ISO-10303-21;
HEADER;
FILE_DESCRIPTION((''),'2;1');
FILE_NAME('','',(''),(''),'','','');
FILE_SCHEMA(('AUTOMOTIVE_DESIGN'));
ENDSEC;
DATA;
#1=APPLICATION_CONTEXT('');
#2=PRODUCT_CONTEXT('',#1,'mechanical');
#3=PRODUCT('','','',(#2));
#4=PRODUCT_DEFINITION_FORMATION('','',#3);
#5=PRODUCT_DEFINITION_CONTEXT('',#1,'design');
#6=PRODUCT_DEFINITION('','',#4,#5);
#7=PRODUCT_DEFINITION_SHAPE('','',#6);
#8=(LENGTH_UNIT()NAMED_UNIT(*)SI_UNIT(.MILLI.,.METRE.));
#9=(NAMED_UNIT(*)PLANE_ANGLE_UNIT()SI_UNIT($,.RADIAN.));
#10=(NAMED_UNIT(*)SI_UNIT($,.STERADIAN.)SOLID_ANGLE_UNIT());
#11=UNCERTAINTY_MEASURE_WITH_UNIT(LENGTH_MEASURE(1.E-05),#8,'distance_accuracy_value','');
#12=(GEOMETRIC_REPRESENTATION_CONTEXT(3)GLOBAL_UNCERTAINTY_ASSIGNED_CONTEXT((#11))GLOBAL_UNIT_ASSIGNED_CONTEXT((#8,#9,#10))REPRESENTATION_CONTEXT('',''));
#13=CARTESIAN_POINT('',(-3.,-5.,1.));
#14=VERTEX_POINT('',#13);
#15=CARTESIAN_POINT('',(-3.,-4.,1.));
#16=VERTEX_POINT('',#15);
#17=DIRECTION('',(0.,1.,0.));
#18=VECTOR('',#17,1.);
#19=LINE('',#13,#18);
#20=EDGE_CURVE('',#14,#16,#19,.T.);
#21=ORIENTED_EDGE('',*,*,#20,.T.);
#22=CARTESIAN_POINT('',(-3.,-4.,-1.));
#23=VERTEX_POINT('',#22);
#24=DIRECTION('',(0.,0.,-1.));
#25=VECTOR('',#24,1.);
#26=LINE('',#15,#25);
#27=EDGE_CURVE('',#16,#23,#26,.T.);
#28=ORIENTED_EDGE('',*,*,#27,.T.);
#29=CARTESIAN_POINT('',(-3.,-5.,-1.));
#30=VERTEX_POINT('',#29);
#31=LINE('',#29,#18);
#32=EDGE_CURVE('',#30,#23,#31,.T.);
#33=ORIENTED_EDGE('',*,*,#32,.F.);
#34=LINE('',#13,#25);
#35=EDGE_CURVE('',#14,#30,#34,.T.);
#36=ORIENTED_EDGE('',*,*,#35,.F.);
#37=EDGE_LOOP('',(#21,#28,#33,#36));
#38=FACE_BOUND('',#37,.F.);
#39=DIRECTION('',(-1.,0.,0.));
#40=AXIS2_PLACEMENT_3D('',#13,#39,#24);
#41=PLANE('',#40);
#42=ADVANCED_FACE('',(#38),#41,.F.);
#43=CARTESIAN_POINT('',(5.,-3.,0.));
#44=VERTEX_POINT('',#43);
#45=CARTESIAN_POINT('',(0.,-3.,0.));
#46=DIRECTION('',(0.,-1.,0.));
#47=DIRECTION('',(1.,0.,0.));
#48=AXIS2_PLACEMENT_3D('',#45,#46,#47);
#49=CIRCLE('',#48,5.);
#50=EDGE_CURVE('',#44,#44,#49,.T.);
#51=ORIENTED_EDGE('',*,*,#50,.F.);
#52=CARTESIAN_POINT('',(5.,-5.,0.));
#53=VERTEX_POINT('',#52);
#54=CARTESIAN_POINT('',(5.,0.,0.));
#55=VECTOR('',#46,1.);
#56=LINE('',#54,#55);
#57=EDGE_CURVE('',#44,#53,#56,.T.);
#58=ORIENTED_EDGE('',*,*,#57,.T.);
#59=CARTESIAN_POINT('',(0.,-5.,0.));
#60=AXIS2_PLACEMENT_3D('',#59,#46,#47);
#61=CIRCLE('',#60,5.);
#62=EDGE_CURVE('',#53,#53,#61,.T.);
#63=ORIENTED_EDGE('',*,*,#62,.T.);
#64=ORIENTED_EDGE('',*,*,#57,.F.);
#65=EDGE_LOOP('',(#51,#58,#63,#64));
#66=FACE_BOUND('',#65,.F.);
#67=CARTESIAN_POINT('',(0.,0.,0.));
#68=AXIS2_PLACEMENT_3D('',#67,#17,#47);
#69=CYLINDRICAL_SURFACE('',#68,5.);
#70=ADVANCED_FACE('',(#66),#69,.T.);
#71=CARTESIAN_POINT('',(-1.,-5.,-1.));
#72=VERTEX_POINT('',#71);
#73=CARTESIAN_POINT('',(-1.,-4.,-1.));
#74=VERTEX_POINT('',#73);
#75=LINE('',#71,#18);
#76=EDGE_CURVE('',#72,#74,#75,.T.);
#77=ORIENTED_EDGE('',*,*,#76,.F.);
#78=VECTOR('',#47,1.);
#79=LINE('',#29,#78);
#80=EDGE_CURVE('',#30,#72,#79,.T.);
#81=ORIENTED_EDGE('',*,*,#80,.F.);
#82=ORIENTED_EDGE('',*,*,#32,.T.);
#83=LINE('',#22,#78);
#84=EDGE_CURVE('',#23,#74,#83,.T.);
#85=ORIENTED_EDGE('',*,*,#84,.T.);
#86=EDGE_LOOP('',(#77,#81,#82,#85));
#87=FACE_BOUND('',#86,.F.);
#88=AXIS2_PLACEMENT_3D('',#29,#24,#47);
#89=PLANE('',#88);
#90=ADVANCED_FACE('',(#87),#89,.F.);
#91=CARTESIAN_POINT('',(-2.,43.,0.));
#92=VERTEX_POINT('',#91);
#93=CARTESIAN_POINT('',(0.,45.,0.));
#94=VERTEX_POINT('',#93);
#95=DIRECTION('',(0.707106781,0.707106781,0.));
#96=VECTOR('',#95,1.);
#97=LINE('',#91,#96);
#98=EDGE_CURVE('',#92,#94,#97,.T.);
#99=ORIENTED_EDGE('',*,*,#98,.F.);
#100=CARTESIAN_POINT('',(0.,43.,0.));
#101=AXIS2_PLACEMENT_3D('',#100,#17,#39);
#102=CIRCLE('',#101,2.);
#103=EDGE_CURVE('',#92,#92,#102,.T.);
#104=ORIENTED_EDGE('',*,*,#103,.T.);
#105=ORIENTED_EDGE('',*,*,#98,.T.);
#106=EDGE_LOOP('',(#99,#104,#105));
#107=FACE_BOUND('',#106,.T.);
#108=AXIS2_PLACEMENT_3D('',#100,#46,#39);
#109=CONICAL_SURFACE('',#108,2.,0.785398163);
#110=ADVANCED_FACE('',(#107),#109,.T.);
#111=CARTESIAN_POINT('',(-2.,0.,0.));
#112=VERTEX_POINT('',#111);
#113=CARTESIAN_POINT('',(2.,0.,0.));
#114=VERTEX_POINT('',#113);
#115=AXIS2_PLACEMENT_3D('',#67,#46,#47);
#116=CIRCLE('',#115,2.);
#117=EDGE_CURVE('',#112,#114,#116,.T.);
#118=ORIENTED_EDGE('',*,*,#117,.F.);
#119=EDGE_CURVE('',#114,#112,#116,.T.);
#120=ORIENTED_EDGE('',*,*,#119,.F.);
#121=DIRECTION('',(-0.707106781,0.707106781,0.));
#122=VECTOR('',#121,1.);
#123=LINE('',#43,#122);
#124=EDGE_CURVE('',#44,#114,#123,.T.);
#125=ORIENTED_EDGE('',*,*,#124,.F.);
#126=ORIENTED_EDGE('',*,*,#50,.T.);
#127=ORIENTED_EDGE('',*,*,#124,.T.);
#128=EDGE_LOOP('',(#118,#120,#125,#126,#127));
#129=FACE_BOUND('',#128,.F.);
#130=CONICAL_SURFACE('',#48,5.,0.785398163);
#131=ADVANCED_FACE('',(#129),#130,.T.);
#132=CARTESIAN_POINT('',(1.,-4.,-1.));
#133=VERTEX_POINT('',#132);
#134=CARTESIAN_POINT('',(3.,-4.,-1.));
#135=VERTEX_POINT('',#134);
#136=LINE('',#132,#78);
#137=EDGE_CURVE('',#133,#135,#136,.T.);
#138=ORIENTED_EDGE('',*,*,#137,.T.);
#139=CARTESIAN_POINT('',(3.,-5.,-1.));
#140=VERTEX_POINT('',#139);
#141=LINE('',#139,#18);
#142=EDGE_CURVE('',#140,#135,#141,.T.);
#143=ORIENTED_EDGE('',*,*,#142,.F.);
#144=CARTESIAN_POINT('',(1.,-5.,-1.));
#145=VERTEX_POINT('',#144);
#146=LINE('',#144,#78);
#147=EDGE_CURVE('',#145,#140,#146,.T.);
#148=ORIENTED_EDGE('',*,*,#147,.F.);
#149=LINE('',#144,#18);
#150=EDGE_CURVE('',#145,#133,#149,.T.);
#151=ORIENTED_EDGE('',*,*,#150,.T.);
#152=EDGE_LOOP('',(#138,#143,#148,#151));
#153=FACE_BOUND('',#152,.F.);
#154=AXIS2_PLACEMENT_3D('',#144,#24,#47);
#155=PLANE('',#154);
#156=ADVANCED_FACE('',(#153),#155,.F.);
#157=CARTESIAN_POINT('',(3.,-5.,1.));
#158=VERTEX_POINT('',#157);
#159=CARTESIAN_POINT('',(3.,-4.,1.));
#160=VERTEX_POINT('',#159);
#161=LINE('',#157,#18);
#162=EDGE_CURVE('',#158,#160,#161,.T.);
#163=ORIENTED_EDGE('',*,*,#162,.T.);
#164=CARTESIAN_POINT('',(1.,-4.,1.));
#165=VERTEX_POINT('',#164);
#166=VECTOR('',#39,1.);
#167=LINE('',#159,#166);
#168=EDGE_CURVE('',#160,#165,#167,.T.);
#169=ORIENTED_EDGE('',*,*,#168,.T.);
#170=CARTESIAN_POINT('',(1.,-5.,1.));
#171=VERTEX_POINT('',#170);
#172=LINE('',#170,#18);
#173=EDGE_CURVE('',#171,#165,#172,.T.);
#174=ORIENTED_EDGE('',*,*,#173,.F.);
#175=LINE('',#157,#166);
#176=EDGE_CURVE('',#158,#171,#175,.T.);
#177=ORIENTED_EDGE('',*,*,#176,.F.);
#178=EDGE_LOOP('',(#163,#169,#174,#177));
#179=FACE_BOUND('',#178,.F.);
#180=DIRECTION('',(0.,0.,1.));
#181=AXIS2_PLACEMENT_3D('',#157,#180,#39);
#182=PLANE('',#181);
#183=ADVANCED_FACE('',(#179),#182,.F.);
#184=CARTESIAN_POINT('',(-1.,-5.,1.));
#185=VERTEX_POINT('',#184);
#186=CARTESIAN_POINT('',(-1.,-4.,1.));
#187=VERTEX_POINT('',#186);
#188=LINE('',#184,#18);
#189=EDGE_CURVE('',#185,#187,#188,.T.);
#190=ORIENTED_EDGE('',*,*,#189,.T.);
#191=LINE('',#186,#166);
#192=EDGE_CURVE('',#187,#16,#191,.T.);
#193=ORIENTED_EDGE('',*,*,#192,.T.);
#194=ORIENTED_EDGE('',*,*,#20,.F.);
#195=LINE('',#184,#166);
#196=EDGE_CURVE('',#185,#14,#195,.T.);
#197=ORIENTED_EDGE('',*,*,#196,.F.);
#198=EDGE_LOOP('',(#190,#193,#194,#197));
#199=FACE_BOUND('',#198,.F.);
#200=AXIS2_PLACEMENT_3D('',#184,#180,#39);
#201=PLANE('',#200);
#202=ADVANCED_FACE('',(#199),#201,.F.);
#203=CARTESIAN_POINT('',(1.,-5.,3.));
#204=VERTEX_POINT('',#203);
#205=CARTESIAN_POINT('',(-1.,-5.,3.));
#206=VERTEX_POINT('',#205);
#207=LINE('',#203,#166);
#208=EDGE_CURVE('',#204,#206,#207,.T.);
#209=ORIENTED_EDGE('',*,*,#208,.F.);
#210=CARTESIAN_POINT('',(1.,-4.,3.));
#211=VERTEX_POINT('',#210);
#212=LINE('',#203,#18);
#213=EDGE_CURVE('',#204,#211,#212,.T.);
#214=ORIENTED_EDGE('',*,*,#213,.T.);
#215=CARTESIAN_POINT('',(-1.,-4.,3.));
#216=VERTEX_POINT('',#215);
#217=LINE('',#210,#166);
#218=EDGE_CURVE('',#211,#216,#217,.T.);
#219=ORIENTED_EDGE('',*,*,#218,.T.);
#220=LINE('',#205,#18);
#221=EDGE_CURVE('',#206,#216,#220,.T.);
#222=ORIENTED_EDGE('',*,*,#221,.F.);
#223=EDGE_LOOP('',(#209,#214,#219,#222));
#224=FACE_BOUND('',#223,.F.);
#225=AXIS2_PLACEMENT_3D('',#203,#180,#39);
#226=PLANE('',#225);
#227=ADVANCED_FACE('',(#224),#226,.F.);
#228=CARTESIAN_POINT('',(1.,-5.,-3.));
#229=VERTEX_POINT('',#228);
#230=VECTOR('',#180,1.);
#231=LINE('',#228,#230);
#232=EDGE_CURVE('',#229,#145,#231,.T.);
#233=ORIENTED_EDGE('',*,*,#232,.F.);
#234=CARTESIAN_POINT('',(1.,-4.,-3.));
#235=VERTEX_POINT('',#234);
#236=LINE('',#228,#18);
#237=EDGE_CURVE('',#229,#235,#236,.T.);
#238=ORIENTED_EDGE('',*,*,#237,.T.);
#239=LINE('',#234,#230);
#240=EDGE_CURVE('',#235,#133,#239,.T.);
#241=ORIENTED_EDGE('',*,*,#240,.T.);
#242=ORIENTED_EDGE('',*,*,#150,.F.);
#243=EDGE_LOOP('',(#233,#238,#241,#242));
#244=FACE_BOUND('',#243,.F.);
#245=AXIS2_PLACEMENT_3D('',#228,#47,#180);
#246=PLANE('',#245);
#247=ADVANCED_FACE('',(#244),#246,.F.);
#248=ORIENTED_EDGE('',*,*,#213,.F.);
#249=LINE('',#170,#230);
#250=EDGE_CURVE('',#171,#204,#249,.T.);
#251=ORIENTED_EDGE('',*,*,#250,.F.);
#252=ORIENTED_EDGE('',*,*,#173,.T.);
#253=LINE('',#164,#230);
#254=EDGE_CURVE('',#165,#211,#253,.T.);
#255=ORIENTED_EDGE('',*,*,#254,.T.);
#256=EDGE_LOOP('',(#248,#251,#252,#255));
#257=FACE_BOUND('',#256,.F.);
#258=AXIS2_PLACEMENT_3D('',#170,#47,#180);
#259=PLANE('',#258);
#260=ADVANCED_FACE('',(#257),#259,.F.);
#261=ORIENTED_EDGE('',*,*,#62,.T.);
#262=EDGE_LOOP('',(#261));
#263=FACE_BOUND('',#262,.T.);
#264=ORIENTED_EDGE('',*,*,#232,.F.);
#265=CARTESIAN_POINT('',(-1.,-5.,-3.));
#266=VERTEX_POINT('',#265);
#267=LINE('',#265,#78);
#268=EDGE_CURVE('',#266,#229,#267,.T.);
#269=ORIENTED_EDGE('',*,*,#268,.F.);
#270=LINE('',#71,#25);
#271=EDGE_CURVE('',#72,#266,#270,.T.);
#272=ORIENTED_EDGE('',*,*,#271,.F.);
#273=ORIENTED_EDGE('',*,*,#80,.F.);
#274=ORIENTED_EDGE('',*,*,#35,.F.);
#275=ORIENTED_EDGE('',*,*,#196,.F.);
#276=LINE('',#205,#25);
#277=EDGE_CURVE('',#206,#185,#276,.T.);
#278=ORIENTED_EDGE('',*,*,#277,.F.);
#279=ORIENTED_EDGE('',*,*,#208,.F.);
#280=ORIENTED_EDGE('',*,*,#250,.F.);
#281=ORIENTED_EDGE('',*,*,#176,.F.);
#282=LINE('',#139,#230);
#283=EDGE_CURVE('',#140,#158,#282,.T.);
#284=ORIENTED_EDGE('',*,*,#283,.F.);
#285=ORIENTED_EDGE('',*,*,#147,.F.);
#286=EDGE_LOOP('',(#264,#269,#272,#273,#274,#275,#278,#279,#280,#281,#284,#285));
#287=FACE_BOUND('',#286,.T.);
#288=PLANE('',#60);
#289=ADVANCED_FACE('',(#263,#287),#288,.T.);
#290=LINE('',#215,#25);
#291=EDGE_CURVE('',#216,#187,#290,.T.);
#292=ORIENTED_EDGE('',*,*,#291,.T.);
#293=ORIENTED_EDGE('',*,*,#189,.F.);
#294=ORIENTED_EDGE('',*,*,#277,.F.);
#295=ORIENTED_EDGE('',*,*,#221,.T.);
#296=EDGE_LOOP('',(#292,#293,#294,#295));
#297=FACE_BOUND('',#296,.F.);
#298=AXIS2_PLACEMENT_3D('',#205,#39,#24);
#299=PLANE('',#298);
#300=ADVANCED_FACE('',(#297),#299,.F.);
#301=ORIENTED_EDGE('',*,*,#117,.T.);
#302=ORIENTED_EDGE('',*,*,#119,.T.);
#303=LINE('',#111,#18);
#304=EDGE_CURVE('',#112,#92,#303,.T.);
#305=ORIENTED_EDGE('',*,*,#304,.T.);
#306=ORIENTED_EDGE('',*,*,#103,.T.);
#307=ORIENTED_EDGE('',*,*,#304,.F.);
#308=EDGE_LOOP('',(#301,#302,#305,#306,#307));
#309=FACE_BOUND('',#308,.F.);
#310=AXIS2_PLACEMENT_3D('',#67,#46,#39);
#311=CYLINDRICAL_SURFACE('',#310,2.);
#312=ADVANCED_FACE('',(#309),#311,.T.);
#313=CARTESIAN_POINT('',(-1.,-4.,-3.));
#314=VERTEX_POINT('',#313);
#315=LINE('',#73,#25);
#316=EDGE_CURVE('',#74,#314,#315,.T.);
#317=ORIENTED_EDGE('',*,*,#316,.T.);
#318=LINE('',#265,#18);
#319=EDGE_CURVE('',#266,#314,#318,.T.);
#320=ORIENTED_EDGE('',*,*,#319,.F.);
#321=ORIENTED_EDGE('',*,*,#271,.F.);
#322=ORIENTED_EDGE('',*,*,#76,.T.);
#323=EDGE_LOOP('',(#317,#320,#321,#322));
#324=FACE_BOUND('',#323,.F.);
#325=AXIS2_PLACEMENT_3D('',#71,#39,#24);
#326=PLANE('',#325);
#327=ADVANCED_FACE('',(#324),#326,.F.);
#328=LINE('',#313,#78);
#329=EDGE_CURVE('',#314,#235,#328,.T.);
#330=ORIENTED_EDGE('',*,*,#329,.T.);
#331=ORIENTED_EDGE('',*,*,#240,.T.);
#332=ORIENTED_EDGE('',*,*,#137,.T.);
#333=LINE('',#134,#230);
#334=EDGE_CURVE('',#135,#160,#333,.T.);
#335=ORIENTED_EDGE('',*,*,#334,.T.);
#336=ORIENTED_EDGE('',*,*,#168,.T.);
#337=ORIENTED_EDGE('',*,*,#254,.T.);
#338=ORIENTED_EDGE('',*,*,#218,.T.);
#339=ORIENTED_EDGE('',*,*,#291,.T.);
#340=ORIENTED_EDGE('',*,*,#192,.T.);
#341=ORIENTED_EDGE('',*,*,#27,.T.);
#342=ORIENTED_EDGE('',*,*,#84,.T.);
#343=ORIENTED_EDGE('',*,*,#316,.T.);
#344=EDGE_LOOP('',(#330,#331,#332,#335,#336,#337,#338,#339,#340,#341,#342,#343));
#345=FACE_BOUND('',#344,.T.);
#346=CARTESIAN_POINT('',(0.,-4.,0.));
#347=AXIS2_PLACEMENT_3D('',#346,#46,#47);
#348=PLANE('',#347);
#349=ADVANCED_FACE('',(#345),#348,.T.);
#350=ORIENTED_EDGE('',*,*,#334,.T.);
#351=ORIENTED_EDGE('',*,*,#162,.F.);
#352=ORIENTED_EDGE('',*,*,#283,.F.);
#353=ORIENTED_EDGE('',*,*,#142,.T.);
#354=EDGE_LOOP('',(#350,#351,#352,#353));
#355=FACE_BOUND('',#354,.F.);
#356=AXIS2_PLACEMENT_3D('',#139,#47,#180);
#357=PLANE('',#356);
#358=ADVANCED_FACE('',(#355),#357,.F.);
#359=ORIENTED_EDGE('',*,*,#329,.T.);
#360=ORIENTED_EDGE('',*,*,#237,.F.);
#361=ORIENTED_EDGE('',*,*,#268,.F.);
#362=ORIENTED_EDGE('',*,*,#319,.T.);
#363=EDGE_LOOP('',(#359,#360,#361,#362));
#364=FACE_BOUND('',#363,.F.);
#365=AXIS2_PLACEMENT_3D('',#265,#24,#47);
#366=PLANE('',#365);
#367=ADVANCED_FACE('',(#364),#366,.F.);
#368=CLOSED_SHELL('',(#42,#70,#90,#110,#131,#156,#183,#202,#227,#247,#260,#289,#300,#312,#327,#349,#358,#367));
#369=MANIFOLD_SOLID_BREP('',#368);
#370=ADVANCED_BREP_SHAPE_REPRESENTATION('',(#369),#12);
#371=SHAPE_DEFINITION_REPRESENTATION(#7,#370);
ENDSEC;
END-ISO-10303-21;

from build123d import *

# Parameters (mm, degrees)
F0_R     = 5
F1_DEPTH = 5
F2_SIZE  = 3
F3_R     = 2
F4_DEPTH = 45
F5_SIZE  = 2
F7_DEPTH = 1


with BuildPart() as f1:
    # F0 (on Front) → F1 (new body)
    with BuildSketch(Plane.XZ):
        Circle(F0_R)
    extrude(amount=F1_DEPTH)

    # F2
    f2_edges = [f1.edges().sort_by_distance(p)[0] for p in [
        (-5, 0, 0),
    ]]
    chamfer(f2_edges, length=F2_SIZE)

    # F3 (on face) → F4 (join)
    with BuildSketch(Plane(origin=(0, 0, 0), x_dir=(-1, 0, 0), z_dir=(0, 1, 0))):
        Circle(F3_R)
    extrude(amount=F4_DEPTH)

    # F5
    f5_edges = [f1.edges().sort_by_distance(p)[0] for p in [
        (2, 45, 0),
    ]]
    chamfer(f5_edges, length=F5_SIZE)

    # F6 (on face) → F7 (cut)
    with BuildSketch(Plane.XZ.offset(5)):
        Polygon((1, 3), (-1, 3), (-1, 1), (-3, 1), (-3, -1), (-1, -1), (-1, -3), (1, -3), (1, -1), (3, -1), (3, 1), (1, 1), align=None)
    extrude(amount=-F7_DEPTH, mode=Mode.SUBTRACT)


solid = f1.part
